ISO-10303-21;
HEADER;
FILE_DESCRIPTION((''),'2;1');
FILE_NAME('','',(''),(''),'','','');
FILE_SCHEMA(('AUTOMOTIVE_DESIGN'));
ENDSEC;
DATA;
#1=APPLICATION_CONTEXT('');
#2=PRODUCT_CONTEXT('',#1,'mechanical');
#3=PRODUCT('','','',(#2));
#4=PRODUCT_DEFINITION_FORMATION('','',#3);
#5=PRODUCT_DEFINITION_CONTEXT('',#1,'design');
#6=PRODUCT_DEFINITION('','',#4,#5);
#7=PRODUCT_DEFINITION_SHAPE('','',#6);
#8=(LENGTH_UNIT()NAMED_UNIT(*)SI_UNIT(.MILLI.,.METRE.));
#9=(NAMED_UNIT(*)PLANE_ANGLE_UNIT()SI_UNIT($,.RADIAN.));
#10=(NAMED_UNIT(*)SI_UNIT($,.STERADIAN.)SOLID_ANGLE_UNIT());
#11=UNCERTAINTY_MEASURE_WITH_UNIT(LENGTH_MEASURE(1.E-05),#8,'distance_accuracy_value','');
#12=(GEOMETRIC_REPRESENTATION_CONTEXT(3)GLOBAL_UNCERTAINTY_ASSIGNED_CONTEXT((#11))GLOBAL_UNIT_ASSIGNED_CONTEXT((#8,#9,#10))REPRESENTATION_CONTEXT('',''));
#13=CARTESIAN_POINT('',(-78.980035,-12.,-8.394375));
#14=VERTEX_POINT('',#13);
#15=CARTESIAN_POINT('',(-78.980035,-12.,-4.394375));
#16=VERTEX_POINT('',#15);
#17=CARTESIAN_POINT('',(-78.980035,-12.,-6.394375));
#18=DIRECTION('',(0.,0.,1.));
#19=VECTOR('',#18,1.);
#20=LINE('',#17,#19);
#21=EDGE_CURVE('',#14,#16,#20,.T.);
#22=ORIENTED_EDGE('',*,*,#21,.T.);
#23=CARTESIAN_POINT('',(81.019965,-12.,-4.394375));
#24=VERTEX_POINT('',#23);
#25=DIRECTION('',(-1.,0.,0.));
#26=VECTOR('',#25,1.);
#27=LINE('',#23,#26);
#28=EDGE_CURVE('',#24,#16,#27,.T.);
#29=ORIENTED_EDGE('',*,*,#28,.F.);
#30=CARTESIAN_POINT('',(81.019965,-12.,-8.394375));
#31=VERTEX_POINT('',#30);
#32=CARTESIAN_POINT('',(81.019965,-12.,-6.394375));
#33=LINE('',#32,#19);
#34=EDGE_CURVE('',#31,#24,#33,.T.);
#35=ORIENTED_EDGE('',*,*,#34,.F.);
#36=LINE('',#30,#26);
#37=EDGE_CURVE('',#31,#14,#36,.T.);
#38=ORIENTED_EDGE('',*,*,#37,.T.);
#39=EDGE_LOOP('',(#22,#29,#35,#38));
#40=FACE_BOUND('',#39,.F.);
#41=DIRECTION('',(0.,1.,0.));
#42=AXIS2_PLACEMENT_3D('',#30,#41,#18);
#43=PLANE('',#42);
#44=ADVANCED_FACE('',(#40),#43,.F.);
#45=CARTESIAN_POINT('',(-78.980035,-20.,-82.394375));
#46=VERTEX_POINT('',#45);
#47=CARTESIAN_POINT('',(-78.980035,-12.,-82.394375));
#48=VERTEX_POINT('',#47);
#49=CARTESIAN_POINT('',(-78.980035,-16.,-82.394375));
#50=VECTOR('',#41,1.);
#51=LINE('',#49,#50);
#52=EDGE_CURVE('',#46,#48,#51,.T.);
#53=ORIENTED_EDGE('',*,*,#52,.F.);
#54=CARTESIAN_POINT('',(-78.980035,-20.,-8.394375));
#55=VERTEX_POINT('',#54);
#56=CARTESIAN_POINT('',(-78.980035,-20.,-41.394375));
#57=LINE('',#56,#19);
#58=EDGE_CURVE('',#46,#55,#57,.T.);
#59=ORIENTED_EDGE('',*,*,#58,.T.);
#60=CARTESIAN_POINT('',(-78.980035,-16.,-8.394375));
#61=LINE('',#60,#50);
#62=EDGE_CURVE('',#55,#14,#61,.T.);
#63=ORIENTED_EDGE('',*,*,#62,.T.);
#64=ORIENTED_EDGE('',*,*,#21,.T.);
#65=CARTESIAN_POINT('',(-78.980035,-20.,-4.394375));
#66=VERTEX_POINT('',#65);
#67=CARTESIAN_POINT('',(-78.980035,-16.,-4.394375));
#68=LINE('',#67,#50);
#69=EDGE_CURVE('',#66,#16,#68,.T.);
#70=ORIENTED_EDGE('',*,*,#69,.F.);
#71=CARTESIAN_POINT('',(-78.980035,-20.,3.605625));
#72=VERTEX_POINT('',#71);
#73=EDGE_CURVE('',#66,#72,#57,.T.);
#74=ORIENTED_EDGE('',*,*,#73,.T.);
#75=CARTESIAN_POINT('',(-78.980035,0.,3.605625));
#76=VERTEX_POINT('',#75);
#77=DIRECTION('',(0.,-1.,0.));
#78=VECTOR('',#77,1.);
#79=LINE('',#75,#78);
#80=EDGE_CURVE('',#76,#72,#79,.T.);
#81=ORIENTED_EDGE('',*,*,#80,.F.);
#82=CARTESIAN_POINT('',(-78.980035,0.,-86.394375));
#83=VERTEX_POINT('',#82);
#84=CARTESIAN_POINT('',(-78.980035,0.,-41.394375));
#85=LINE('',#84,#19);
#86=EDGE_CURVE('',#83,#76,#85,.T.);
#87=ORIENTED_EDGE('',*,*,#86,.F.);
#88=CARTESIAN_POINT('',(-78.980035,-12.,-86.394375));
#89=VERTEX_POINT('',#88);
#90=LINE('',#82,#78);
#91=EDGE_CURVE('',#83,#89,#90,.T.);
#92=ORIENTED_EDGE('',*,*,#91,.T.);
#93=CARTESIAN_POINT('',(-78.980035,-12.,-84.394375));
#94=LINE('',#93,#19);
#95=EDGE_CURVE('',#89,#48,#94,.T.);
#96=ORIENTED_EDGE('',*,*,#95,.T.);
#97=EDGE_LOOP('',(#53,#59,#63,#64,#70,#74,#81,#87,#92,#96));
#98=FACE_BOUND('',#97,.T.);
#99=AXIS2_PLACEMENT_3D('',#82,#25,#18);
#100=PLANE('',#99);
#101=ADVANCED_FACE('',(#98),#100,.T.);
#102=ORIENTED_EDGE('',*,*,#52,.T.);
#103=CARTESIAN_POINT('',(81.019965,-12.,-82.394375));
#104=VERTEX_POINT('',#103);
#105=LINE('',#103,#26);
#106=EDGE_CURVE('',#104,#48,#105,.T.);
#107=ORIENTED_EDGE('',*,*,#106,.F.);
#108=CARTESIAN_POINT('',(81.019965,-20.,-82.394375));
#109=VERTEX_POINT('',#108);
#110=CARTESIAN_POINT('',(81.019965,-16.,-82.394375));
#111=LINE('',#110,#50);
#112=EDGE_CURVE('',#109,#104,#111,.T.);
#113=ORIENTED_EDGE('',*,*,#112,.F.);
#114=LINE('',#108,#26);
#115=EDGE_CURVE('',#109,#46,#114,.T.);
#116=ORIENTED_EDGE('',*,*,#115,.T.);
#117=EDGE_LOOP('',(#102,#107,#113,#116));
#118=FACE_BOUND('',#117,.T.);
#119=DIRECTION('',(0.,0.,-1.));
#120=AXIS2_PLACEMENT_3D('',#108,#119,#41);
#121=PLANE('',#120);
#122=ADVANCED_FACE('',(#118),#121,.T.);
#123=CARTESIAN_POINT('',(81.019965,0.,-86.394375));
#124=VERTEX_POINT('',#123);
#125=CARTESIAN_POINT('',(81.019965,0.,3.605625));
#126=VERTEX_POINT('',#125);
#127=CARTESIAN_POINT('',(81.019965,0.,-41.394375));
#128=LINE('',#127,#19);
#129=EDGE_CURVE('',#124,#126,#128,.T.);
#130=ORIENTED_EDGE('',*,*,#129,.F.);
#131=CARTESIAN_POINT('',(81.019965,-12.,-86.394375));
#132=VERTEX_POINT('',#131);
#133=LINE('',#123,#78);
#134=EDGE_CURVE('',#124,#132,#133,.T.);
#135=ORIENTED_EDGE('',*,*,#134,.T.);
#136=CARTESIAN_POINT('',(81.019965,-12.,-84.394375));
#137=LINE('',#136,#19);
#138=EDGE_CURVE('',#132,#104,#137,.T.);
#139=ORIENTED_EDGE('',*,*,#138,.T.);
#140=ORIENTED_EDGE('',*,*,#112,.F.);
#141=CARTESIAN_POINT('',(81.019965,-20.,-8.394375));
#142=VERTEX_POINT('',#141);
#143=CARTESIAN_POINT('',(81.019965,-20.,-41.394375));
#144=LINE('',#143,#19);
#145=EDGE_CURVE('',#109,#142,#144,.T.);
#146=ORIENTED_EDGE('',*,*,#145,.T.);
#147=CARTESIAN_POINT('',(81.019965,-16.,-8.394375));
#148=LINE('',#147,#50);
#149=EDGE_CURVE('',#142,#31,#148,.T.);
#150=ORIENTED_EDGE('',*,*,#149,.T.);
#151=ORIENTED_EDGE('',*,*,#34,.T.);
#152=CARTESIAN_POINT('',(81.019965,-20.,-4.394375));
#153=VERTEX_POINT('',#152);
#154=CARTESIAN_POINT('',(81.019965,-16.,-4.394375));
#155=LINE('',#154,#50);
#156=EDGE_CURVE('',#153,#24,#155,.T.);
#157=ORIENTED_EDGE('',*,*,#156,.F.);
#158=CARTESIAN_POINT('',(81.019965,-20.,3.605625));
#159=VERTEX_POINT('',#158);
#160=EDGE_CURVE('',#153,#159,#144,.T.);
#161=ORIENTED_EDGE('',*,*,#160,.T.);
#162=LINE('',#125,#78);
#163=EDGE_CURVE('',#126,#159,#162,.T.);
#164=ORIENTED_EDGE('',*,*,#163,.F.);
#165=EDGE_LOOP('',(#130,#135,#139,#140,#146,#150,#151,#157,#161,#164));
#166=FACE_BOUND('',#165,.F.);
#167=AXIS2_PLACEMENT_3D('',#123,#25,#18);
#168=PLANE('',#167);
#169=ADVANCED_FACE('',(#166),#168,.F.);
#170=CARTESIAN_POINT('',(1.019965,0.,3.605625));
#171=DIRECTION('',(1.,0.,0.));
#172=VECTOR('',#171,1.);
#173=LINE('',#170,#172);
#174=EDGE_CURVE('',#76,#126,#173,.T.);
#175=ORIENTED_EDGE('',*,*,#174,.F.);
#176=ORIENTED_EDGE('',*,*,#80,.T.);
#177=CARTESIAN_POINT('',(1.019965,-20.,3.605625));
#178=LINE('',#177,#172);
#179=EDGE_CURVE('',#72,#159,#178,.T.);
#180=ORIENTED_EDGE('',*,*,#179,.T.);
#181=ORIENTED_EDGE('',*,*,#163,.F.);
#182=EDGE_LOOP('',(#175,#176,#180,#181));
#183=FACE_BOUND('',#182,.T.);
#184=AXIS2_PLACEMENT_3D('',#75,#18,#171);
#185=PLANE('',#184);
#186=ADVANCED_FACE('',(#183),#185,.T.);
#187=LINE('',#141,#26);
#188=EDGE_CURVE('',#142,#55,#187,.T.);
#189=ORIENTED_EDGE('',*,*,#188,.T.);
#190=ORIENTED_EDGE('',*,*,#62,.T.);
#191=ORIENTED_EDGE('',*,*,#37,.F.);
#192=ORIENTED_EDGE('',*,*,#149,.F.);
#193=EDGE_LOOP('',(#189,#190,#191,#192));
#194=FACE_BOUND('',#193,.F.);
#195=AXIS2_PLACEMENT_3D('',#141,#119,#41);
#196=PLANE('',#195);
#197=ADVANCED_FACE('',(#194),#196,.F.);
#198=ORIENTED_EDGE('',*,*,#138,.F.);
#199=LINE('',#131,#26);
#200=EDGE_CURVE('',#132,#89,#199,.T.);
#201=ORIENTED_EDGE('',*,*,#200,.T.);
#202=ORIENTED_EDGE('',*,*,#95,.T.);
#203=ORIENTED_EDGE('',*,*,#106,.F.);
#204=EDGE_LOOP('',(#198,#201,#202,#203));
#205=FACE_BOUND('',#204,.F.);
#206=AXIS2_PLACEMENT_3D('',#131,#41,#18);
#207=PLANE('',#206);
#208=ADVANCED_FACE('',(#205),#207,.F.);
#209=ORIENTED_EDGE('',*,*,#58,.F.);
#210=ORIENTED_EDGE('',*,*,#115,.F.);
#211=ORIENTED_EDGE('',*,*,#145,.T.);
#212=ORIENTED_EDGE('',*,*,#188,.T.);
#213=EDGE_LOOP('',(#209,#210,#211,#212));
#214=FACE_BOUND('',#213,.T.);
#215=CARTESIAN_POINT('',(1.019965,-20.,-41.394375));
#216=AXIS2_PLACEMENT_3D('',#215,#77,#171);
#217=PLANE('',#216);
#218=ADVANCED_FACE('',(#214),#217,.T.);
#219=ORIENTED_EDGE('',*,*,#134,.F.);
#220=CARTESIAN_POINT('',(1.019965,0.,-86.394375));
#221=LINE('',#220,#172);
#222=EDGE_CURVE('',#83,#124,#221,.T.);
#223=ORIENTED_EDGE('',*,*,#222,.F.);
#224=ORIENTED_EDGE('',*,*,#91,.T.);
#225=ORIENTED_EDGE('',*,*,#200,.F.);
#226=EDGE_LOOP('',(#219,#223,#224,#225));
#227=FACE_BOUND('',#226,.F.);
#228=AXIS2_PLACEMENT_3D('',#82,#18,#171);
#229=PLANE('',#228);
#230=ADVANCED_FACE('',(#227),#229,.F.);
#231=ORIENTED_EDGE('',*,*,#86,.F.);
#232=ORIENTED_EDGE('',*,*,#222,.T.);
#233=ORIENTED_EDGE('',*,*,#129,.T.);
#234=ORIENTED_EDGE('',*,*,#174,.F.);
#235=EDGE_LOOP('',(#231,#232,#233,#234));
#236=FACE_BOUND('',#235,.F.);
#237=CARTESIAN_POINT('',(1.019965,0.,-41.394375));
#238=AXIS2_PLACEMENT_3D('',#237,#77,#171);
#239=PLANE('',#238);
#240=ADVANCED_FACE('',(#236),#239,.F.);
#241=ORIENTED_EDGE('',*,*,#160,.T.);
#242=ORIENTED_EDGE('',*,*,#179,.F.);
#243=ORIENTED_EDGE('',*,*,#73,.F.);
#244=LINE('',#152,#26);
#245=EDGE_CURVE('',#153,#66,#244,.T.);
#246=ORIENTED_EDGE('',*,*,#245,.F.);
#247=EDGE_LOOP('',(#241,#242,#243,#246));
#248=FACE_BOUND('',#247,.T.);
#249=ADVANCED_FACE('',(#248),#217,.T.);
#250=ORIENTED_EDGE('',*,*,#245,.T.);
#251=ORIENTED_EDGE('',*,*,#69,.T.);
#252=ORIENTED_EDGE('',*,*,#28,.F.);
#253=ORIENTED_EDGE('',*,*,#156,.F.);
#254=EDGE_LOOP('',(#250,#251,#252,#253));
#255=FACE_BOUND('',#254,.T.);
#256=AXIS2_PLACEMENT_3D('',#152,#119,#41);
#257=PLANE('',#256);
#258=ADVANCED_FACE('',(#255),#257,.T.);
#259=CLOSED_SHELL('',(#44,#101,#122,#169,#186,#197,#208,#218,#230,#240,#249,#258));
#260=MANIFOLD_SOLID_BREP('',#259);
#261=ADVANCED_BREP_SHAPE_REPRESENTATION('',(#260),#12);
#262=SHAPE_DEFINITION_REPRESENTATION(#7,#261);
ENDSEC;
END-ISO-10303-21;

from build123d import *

# Parameters (mm, degrees)
F0_W     = 160
F0_H     = 90
F1_DEPTH = 20
F2_W     = 8
F2_H     = 4
F3_DEPTH = 160


with BuildPart() as f1:
    # F0 (on Front) → F1 (new body)
    with BuildSketch(Plane.XZ):
        with Locations((1.019965, -41.394375)):
            Rectangle(F0_W, F0_H)
    extrude(amount=F1_DEPTH)

    # F2 (on face) → F3 (cut)
    with BuildSketch(Plane.YZ.offset(81.019965)):
        with Locations((-16, -6.394375)):
            Rectangle(F2_W, F2_H)
        with Locations((-16, -84.394375)):
            Rectangle(F2_W, F2_H)
    extrude(amount=-F3_DEPTH, mode=Mode.SUBTRACT)


solid = f1.part
